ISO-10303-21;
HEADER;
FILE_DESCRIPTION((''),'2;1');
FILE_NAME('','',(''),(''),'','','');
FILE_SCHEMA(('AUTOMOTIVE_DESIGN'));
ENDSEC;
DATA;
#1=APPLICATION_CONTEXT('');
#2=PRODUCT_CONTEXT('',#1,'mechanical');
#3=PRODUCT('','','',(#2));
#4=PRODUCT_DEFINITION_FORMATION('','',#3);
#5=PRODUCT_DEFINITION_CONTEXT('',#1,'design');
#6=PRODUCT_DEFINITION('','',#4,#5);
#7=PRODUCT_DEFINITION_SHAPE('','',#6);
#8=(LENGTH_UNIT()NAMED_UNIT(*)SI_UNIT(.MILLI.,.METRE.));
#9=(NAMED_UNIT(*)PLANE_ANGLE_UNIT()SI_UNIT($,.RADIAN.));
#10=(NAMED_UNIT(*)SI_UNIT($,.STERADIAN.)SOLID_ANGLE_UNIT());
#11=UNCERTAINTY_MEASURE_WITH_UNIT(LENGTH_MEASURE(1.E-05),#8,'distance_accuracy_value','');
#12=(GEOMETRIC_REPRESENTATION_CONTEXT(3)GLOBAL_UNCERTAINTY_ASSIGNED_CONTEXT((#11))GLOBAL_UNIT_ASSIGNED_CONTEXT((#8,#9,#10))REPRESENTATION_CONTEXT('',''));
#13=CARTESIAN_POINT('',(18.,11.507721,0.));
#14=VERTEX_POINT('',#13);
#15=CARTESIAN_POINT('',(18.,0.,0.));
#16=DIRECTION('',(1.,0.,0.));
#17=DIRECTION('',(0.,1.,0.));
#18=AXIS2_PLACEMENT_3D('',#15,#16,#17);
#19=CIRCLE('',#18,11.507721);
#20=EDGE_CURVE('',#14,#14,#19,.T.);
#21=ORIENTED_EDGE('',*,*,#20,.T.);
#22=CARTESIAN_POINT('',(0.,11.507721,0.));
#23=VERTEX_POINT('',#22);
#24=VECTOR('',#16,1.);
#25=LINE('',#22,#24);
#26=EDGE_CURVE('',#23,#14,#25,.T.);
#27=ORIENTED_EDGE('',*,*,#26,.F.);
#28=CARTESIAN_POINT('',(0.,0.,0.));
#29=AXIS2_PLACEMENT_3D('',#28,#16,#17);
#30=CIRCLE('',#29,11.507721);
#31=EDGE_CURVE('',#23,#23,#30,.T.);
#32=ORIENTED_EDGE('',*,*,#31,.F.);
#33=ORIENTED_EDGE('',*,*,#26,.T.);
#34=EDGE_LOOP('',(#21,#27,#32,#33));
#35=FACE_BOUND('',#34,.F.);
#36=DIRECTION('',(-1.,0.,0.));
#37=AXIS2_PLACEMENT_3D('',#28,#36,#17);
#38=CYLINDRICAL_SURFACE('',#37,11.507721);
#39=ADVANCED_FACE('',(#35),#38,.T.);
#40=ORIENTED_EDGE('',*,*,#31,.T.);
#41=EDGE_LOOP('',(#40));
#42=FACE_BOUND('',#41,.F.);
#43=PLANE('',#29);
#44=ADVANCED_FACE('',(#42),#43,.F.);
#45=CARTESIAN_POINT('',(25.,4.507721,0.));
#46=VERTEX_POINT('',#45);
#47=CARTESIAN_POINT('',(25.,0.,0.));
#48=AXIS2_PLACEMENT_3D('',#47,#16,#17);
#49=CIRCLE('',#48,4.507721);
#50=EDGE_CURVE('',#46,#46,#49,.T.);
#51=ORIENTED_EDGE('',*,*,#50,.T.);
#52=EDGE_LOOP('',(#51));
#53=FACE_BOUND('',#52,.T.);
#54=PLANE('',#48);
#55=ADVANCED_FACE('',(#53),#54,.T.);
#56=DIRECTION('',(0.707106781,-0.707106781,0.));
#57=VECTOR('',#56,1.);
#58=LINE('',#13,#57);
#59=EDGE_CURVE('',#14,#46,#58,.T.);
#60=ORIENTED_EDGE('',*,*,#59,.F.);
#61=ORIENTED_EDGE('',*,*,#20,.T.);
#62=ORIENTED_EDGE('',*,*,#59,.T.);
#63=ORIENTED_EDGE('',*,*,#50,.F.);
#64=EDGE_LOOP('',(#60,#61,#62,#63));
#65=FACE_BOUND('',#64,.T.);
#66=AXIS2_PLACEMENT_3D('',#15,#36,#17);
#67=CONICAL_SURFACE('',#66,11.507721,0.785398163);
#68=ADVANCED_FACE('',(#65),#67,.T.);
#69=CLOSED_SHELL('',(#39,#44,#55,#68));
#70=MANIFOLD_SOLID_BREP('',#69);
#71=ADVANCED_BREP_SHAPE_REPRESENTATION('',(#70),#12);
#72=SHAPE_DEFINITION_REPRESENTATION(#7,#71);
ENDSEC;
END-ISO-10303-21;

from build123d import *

# Parameters (mm, degrees)
F0_R     = 11.507721
F1_DEPTH = 25
F2_SIZE  = 7


with BuildPart() as f1:
    # F0 (on Right) → F1 (new body)
    with BuildSketch(Plane.YZ):
        Circle(F0_R)
    extrude(amount=F1_DEPTH)

    # F2
    f2_edges = [f1.edges().sort_by_distance(p)[0] for p in [
        (25, -11.507721, 0),
    ]]
    chamfer(f2_edges, length=F2_SIZE)


solid = f1.part
